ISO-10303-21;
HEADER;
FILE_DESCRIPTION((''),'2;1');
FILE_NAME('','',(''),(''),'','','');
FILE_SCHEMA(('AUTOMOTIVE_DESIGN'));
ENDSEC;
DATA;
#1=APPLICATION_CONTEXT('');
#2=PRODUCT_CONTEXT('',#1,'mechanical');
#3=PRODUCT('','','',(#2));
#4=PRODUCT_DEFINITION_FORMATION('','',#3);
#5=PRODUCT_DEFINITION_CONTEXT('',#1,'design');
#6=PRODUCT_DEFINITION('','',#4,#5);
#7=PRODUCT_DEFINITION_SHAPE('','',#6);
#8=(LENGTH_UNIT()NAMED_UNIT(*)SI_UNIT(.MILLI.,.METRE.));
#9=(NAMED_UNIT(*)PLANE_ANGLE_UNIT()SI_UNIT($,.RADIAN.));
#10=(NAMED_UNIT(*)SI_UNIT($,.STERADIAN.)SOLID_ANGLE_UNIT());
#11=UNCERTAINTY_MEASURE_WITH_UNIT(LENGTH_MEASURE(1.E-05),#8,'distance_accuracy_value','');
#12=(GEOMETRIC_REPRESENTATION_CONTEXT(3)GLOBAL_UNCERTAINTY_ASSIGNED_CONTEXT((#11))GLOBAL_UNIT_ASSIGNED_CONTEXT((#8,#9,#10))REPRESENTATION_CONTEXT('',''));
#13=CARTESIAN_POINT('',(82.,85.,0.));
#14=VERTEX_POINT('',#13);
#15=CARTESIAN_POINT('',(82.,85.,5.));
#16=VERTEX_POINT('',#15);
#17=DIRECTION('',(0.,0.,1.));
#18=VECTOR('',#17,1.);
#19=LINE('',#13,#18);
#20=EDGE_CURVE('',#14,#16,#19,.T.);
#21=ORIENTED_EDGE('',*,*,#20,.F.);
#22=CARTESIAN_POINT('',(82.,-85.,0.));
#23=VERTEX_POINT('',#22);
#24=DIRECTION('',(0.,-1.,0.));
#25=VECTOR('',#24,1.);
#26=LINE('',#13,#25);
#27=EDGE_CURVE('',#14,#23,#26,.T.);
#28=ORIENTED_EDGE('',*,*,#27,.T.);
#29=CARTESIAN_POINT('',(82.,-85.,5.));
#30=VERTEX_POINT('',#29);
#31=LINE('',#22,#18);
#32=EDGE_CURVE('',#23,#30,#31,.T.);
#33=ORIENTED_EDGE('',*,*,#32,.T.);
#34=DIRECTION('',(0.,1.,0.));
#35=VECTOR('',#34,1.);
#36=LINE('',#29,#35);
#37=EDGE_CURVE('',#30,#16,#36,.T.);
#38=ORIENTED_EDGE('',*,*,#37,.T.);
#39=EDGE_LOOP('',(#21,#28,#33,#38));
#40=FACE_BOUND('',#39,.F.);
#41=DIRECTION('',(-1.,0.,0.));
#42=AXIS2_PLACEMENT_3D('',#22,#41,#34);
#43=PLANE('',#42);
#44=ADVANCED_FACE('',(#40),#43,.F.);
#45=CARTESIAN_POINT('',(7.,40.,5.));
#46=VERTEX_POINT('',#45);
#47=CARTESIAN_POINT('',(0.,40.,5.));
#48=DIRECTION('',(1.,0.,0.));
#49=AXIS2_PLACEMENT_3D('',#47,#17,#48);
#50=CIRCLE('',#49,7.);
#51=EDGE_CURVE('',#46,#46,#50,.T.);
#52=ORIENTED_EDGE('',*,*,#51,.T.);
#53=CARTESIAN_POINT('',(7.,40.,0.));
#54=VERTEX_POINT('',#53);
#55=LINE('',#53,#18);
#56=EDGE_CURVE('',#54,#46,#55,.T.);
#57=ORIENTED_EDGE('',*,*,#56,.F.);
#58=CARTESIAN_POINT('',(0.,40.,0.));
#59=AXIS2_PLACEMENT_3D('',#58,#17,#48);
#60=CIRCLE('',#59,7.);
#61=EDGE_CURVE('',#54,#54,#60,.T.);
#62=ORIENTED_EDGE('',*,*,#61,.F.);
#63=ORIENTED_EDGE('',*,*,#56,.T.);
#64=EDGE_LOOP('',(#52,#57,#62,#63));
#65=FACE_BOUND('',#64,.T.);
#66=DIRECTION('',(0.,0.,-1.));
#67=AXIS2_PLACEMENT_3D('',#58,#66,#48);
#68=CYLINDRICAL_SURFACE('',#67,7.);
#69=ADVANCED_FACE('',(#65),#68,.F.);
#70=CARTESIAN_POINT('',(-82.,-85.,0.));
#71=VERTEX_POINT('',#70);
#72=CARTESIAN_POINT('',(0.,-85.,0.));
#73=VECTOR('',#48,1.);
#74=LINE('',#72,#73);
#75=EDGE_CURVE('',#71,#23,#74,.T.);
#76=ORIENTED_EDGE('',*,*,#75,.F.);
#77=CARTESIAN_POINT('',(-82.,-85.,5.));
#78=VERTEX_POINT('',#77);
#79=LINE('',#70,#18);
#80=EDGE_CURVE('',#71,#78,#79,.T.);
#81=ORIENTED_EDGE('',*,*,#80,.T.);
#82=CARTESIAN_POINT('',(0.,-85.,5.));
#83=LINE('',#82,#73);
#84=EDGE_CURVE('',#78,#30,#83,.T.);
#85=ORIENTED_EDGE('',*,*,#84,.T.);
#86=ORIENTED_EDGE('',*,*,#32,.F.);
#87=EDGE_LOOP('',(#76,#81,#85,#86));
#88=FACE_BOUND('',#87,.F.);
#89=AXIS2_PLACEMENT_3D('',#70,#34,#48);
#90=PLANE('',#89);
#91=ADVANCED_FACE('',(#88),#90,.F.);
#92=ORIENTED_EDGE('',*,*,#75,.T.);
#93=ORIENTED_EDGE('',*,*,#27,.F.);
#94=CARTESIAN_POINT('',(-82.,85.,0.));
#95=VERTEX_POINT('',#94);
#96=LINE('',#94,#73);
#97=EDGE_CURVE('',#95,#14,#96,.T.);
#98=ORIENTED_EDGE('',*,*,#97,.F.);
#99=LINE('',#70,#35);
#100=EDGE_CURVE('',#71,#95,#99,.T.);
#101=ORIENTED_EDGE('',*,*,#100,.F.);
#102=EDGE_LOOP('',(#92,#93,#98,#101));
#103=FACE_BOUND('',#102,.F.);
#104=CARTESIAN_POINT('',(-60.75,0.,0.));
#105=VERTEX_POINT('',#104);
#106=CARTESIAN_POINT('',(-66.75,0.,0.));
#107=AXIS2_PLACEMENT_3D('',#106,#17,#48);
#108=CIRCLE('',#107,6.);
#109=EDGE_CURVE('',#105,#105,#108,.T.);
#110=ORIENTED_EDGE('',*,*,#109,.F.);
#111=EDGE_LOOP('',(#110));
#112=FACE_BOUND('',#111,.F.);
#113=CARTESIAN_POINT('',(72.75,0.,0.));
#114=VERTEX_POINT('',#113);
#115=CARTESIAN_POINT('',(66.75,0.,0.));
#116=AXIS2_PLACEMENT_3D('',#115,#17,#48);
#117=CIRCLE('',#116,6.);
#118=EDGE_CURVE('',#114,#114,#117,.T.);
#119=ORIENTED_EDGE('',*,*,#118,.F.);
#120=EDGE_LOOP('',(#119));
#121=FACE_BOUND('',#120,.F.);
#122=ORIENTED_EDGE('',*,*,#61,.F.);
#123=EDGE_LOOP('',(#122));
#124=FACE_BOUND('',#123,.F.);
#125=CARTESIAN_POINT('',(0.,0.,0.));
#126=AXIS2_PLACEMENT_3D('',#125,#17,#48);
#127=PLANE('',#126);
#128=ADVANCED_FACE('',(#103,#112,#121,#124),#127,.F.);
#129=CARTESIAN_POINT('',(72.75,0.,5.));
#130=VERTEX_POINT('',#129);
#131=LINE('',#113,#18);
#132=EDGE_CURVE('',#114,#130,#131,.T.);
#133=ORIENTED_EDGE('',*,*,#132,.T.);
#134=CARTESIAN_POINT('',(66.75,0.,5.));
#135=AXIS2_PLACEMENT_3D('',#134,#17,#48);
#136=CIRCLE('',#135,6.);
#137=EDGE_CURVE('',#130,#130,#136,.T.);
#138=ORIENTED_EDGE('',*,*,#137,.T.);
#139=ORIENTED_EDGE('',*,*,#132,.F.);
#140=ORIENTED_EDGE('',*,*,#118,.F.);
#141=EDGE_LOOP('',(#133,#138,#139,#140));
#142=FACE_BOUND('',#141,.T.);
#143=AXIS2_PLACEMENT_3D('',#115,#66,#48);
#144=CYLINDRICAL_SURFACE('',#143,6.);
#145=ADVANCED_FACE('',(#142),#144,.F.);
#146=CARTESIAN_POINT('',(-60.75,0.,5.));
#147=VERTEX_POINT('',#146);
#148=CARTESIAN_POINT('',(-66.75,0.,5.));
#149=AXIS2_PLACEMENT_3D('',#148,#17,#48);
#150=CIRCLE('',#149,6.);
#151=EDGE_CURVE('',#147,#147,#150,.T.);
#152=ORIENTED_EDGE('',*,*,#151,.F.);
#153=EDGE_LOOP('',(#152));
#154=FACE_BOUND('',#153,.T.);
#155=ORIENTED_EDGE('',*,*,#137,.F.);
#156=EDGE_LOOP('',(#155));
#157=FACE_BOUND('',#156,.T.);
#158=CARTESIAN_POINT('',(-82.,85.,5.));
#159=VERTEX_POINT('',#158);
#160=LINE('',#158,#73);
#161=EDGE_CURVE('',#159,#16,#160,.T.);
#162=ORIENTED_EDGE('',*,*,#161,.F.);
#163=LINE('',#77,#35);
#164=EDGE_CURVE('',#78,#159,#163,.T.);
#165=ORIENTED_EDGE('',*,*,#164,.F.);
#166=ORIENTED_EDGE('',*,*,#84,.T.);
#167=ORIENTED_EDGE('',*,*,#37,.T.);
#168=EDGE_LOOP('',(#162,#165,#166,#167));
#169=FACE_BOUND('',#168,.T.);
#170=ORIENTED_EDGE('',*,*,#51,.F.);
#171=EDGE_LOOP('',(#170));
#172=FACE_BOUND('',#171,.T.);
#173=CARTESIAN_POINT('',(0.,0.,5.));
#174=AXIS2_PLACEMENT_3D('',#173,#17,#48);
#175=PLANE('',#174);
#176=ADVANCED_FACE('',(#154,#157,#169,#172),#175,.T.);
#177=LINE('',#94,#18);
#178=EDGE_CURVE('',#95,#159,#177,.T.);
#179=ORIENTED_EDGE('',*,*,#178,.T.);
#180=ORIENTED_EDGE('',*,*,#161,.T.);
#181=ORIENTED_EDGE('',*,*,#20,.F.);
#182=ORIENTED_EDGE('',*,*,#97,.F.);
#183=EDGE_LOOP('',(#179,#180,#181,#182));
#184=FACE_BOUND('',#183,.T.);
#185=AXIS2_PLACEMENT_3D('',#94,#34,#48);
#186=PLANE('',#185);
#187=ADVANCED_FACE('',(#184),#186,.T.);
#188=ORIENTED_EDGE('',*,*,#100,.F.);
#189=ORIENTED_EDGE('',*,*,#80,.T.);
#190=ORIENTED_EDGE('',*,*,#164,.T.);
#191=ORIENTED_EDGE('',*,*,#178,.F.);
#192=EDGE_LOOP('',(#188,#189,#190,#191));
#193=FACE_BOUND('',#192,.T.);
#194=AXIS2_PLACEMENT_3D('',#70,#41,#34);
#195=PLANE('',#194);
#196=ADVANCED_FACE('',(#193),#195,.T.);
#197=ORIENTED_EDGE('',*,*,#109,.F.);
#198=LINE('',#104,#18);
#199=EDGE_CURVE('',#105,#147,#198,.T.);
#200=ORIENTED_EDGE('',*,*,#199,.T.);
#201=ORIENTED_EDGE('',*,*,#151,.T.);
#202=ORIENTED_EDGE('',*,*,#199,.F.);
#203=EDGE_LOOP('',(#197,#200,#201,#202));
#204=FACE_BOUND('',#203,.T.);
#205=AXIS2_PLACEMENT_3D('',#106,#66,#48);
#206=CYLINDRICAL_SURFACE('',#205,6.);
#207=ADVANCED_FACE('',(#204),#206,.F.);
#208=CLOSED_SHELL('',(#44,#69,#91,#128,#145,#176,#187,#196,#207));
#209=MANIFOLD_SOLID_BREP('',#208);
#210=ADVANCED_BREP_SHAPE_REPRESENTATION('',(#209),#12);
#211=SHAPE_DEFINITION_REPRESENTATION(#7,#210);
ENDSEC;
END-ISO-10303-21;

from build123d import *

# Parameters (mm, degrees)
F0_W     = 164
F0_H     = 170
F0_R     = 6
F0_R_2   = 7
F1_DEPTH = 5
F2_W     = 20
F2_H     = 5
F3_DEPTH = 0.01


with BuildPart() as f1:
    # F0 (on Top) → F1 (new body)
    with BuildSketch(Plane.XY):
        Rectangle(F0_W, F0_H)
        with Locations((-66.75, 0)):
            Circle(F0_R, mode=Mode.SUBTRACT)
        with Locations((0, 40)):
            Circle(F0_R_2, mode=Mode.SUBTRACT)
        with Locations((66.75, 0)):
            Circle(F0_R, mode=Mode.SUBTRACT)
    extrude(amount=F1_DEPTH)

    # F2 (on face) → F3 (join)
    with BuildSketch(Plane(origin=(0, 85, 0), x_dir=(-1, 0, 0), z_dir=(0, 1, 0))):
        with Locations((72, 2.5)):
            Rectangle(F2_W, F2_H)
        with Locations((-72, 2.5)):
            Rectangle(F2_W, F2_H)
    extrude(amount=-F3_DEPTH)


solid = f1.part
